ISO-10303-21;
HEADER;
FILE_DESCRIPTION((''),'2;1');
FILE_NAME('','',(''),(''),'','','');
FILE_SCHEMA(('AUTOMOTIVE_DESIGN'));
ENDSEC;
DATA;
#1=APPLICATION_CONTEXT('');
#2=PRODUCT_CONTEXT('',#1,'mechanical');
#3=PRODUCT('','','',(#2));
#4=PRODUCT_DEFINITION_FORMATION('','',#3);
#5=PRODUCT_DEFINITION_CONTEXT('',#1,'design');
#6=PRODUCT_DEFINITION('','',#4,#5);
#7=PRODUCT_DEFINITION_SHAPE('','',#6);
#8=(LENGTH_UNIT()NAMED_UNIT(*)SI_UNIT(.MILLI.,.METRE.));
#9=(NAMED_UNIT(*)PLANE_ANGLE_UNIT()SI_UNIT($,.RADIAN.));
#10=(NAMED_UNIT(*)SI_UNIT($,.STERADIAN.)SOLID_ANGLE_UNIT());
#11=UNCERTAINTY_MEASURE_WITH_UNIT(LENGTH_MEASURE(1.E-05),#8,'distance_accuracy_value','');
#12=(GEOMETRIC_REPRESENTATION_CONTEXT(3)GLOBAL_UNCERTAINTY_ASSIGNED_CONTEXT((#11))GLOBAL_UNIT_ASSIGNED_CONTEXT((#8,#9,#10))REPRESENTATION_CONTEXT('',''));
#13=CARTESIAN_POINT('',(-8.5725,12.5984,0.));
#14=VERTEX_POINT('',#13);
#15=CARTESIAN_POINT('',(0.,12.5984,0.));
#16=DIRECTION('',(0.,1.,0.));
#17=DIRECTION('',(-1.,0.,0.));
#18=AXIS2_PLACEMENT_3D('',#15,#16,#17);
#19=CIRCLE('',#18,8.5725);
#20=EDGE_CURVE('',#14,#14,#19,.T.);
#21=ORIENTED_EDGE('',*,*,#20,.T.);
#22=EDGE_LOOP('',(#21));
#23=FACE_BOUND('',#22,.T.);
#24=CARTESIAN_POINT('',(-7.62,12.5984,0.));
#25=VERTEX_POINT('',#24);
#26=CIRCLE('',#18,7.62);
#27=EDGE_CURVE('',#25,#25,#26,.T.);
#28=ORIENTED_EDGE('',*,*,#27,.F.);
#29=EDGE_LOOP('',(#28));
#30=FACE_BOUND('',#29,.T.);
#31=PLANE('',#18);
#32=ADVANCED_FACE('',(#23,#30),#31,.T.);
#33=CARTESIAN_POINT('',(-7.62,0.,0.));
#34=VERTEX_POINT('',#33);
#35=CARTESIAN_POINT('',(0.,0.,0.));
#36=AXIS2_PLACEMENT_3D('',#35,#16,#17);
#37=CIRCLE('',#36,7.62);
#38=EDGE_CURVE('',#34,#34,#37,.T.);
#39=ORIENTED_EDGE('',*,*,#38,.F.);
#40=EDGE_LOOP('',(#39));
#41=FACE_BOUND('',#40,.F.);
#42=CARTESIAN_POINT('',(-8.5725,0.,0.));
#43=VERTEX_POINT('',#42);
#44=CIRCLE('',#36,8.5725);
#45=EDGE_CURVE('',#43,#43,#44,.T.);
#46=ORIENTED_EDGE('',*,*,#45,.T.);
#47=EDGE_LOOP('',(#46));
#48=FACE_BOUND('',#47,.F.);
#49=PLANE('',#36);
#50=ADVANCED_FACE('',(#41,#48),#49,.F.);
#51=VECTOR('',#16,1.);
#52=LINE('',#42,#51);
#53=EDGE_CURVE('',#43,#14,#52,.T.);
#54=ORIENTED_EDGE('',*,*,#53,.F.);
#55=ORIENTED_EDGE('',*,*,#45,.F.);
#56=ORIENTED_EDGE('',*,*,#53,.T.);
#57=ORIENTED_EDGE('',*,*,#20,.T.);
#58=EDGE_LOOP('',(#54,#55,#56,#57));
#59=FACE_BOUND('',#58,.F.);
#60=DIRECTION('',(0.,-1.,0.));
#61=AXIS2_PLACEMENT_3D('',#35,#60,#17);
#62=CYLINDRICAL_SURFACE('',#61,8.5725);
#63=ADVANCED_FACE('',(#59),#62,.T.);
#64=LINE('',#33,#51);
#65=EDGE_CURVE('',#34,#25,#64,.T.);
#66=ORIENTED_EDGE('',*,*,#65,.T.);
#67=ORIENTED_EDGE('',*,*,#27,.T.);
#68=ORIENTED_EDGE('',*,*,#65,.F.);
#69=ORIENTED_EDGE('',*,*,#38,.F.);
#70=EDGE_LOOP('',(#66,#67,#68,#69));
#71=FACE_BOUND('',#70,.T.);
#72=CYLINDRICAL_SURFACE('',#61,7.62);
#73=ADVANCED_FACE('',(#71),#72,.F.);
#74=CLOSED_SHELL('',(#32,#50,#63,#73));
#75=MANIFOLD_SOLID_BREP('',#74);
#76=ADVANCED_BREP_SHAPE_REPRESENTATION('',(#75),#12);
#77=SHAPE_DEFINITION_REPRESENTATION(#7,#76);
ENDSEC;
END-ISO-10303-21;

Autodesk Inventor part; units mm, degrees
ref_plane "YZ Plane" through (0, 0, 0) normal (1, 0, 0) x (0, 1, 0)
ref_plane "XZ Plane" through (0, 0, 0) normal (0, 1, 0) x (-1, 0, 0)
ref_plane "XY Plane" through (0, 0, 0) normal (0, 0, 1) x (1, 0, 0)
sketch "Sketch1" plane through (0, 0, 0) normal (0, 1, 0) x (-1, 0, 0)
  circle A0 centre (0, 0) radius 7.62
  circle A1 centre (0, 0) radius 8.5725
  dimension "d0" = 15.24
  dimension "d1" = 17.145
extrude "Extrusion1" add sketch "Sketch1" along normal blind 12.5984
properties part number "Intake Pivot Spacer 2" material "Aluminum 6061"
